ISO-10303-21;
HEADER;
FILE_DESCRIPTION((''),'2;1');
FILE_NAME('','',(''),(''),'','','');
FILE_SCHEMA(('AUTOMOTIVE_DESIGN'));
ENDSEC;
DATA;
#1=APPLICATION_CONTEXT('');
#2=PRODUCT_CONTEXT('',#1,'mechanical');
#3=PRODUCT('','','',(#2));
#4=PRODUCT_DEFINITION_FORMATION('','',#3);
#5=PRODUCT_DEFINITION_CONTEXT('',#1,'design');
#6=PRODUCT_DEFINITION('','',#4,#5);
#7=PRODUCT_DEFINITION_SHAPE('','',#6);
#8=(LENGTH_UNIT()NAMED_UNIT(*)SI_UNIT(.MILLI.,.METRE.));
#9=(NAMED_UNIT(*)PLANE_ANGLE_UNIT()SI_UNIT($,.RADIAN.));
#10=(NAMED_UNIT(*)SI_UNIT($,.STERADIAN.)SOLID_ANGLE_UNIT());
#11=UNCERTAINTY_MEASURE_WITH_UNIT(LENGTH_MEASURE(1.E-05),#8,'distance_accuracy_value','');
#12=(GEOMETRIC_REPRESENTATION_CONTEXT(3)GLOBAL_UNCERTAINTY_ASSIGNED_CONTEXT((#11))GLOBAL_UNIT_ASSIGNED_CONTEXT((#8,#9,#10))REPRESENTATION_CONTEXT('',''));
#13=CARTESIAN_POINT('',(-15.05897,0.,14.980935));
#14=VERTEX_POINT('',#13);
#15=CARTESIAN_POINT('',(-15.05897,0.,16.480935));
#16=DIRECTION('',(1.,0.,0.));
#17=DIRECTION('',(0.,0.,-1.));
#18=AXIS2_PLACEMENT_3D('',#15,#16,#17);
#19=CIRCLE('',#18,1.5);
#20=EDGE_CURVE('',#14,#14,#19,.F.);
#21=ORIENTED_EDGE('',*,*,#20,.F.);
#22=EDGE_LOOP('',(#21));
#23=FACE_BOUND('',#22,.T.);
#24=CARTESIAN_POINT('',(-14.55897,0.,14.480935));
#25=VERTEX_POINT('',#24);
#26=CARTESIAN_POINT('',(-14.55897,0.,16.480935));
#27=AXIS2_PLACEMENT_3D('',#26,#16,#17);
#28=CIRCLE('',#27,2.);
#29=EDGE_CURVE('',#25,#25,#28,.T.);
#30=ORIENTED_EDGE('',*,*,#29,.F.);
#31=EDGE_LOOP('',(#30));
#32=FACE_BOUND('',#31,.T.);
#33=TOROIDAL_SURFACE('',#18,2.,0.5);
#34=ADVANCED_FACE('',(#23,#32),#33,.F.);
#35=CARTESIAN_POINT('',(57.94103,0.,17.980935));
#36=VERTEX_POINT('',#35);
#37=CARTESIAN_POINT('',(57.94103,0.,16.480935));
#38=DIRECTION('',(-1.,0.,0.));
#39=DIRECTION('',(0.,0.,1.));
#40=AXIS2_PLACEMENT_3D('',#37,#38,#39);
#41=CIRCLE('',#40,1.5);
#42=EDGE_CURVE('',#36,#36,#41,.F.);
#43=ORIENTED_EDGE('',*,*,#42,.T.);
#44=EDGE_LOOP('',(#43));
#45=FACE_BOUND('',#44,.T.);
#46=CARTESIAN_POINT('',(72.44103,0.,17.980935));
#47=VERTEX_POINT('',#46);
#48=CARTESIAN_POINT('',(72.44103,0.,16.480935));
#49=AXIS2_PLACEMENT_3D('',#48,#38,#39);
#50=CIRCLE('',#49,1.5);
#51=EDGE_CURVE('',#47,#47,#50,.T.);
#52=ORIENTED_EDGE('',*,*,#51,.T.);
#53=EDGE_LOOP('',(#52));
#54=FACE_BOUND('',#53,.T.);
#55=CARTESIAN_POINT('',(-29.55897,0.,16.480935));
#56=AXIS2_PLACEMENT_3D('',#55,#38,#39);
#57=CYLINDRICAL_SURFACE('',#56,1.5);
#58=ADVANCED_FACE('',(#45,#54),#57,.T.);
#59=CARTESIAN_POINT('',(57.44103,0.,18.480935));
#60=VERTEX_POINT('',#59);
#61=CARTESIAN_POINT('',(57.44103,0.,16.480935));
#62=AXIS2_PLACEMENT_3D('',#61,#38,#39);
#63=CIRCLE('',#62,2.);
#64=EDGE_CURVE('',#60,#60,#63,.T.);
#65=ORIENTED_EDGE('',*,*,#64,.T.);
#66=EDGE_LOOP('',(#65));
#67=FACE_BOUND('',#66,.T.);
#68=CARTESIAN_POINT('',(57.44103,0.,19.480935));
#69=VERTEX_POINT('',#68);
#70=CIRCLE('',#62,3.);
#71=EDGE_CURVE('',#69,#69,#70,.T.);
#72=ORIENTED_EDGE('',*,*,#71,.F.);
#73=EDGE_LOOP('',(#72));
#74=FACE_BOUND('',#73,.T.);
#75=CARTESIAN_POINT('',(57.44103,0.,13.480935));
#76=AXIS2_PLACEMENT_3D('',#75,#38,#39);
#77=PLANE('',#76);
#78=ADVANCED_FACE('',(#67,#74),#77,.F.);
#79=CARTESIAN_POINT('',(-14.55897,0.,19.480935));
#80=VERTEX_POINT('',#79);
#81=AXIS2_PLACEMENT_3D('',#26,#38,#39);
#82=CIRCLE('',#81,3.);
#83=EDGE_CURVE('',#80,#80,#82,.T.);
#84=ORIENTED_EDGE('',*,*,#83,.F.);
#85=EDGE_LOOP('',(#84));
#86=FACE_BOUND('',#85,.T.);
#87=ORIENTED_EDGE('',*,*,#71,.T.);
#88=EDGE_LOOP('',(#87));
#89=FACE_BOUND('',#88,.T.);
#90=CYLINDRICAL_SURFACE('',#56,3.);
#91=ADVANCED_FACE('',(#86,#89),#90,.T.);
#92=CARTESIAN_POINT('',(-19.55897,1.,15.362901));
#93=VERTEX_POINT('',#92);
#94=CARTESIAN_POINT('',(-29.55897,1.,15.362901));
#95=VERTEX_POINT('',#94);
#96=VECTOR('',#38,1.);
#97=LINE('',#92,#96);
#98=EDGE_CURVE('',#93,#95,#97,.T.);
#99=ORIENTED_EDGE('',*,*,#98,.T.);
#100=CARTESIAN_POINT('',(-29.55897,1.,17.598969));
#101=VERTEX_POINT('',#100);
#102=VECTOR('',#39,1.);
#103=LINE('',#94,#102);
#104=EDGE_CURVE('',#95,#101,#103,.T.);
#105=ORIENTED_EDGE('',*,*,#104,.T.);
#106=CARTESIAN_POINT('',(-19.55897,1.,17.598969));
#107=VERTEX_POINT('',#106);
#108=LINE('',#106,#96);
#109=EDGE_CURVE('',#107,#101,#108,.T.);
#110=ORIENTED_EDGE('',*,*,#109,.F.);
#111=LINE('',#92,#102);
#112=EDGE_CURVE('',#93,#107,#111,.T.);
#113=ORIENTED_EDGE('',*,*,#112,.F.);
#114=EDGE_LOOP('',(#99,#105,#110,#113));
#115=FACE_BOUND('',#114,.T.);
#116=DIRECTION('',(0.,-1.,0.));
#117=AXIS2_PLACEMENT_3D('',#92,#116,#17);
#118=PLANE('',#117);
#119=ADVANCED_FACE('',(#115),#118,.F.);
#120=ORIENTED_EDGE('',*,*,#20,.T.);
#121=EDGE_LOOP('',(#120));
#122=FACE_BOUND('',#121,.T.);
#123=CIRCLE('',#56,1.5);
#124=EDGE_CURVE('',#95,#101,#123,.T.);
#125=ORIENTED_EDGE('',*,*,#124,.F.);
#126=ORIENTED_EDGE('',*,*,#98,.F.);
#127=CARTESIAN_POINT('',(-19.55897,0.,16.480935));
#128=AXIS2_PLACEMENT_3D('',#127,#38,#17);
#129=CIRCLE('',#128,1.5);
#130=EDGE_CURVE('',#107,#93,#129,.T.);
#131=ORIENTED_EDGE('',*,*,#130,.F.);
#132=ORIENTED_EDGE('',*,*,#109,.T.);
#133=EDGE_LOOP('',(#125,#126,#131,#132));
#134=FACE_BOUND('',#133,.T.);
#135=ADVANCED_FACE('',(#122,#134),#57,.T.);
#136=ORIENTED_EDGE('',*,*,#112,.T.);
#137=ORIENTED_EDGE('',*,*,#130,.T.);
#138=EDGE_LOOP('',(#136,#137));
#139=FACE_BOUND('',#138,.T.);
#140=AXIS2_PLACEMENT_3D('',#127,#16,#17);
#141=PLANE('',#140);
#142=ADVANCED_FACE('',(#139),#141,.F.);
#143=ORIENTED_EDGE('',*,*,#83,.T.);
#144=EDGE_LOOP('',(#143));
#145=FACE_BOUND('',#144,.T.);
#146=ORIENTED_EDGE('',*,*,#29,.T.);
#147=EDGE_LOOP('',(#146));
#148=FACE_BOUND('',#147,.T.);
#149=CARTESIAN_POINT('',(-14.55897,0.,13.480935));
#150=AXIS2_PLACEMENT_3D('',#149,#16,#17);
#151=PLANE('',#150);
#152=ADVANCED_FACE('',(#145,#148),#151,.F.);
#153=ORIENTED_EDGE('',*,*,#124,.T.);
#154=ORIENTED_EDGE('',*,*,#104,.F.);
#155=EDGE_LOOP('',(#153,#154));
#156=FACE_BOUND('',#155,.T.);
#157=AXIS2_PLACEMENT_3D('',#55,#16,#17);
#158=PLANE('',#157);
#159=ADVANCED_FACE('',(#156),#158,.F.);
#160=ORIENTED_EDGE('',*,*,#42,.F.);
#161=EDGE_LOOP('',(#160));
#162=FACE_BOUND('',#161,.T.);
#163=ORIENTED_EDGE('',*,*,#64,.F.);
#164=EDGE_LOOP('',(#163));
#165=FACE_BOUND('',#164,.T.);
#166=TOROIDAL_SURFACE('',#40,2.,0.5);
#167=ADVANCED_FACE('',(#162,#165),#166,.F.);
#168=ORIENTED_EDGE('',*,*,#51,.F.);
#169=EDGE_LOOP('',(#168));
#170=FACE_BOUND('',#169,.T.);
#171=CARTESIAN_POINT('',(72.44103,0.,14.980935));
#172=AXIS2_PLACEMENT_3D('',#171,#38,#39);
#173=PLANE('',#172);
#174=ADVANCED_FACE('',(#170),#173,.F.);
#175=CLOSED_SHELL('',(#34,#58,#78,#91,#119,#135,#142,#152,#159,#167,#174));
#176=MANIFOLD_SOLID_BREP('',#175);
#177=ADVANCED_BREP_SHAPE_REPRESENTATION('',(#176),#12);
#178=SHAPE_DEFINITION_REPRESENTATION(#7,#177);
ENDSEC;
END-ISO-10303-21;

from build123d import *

# Parameters (mm, degrees)
FILLET1_R          = 0.5
CUT_EXTRUDE1_DEPTH = 10


with BuildPart() as part:
    # Sketch1 → Revolve1 (revolve)
    with BuildSketch(Plane(origin=(0, 0, 0), x_dir=(1, 0, 0), z_dir=(0, 1, 0)), mode=Mode.PRIVATE) as revolve1_sk:
        Polygon((-29.558969675, -16.48093475), (72.441030325, -16.48093475), (72.441030325, -14.98093475), (57.441030325, -14.98093475), (57.441030325, -13.48093475), (-14.558969675, -13.48093475), (-14.558969675, -14.98093475), (-29.558969675, -14.98093475), align=None)
    revolve(revolve1_sk.sketch.rotate(Axis((-29.558969675, 0, 16.48093475), (1, 0, 0)), 180), axis=Axis((-29.558969675, 0, 16.48093475), (1, 0, 0)))

    # Fillet1
    fillet1_edges = [part.edges().sort_by_distance(p)[0] for p in [
        (57.441030325, 0, 14.98093475),
        (-14.558969675, 0, 14.98093475),
    ]]
    fillet(fillet1_edges, radius=FILLET1_R)

    # Sketch2 → Cut-Extrude1 (cut)
    with BuildSketch(Plane.ZY.offset(29.558969675)):
        with BuildLine():
            Line((15.362900761, 1), (17.598968739, 1))
            ThreePointArc((17.598968739, 1), (16.48093475, 1.5), (15.362900761, 1))
        make_face()
    extrude(amount=-CUT_EXTRUDE1_DEPTH, mode=Mode.SUBTRACT)


solid = part.part
